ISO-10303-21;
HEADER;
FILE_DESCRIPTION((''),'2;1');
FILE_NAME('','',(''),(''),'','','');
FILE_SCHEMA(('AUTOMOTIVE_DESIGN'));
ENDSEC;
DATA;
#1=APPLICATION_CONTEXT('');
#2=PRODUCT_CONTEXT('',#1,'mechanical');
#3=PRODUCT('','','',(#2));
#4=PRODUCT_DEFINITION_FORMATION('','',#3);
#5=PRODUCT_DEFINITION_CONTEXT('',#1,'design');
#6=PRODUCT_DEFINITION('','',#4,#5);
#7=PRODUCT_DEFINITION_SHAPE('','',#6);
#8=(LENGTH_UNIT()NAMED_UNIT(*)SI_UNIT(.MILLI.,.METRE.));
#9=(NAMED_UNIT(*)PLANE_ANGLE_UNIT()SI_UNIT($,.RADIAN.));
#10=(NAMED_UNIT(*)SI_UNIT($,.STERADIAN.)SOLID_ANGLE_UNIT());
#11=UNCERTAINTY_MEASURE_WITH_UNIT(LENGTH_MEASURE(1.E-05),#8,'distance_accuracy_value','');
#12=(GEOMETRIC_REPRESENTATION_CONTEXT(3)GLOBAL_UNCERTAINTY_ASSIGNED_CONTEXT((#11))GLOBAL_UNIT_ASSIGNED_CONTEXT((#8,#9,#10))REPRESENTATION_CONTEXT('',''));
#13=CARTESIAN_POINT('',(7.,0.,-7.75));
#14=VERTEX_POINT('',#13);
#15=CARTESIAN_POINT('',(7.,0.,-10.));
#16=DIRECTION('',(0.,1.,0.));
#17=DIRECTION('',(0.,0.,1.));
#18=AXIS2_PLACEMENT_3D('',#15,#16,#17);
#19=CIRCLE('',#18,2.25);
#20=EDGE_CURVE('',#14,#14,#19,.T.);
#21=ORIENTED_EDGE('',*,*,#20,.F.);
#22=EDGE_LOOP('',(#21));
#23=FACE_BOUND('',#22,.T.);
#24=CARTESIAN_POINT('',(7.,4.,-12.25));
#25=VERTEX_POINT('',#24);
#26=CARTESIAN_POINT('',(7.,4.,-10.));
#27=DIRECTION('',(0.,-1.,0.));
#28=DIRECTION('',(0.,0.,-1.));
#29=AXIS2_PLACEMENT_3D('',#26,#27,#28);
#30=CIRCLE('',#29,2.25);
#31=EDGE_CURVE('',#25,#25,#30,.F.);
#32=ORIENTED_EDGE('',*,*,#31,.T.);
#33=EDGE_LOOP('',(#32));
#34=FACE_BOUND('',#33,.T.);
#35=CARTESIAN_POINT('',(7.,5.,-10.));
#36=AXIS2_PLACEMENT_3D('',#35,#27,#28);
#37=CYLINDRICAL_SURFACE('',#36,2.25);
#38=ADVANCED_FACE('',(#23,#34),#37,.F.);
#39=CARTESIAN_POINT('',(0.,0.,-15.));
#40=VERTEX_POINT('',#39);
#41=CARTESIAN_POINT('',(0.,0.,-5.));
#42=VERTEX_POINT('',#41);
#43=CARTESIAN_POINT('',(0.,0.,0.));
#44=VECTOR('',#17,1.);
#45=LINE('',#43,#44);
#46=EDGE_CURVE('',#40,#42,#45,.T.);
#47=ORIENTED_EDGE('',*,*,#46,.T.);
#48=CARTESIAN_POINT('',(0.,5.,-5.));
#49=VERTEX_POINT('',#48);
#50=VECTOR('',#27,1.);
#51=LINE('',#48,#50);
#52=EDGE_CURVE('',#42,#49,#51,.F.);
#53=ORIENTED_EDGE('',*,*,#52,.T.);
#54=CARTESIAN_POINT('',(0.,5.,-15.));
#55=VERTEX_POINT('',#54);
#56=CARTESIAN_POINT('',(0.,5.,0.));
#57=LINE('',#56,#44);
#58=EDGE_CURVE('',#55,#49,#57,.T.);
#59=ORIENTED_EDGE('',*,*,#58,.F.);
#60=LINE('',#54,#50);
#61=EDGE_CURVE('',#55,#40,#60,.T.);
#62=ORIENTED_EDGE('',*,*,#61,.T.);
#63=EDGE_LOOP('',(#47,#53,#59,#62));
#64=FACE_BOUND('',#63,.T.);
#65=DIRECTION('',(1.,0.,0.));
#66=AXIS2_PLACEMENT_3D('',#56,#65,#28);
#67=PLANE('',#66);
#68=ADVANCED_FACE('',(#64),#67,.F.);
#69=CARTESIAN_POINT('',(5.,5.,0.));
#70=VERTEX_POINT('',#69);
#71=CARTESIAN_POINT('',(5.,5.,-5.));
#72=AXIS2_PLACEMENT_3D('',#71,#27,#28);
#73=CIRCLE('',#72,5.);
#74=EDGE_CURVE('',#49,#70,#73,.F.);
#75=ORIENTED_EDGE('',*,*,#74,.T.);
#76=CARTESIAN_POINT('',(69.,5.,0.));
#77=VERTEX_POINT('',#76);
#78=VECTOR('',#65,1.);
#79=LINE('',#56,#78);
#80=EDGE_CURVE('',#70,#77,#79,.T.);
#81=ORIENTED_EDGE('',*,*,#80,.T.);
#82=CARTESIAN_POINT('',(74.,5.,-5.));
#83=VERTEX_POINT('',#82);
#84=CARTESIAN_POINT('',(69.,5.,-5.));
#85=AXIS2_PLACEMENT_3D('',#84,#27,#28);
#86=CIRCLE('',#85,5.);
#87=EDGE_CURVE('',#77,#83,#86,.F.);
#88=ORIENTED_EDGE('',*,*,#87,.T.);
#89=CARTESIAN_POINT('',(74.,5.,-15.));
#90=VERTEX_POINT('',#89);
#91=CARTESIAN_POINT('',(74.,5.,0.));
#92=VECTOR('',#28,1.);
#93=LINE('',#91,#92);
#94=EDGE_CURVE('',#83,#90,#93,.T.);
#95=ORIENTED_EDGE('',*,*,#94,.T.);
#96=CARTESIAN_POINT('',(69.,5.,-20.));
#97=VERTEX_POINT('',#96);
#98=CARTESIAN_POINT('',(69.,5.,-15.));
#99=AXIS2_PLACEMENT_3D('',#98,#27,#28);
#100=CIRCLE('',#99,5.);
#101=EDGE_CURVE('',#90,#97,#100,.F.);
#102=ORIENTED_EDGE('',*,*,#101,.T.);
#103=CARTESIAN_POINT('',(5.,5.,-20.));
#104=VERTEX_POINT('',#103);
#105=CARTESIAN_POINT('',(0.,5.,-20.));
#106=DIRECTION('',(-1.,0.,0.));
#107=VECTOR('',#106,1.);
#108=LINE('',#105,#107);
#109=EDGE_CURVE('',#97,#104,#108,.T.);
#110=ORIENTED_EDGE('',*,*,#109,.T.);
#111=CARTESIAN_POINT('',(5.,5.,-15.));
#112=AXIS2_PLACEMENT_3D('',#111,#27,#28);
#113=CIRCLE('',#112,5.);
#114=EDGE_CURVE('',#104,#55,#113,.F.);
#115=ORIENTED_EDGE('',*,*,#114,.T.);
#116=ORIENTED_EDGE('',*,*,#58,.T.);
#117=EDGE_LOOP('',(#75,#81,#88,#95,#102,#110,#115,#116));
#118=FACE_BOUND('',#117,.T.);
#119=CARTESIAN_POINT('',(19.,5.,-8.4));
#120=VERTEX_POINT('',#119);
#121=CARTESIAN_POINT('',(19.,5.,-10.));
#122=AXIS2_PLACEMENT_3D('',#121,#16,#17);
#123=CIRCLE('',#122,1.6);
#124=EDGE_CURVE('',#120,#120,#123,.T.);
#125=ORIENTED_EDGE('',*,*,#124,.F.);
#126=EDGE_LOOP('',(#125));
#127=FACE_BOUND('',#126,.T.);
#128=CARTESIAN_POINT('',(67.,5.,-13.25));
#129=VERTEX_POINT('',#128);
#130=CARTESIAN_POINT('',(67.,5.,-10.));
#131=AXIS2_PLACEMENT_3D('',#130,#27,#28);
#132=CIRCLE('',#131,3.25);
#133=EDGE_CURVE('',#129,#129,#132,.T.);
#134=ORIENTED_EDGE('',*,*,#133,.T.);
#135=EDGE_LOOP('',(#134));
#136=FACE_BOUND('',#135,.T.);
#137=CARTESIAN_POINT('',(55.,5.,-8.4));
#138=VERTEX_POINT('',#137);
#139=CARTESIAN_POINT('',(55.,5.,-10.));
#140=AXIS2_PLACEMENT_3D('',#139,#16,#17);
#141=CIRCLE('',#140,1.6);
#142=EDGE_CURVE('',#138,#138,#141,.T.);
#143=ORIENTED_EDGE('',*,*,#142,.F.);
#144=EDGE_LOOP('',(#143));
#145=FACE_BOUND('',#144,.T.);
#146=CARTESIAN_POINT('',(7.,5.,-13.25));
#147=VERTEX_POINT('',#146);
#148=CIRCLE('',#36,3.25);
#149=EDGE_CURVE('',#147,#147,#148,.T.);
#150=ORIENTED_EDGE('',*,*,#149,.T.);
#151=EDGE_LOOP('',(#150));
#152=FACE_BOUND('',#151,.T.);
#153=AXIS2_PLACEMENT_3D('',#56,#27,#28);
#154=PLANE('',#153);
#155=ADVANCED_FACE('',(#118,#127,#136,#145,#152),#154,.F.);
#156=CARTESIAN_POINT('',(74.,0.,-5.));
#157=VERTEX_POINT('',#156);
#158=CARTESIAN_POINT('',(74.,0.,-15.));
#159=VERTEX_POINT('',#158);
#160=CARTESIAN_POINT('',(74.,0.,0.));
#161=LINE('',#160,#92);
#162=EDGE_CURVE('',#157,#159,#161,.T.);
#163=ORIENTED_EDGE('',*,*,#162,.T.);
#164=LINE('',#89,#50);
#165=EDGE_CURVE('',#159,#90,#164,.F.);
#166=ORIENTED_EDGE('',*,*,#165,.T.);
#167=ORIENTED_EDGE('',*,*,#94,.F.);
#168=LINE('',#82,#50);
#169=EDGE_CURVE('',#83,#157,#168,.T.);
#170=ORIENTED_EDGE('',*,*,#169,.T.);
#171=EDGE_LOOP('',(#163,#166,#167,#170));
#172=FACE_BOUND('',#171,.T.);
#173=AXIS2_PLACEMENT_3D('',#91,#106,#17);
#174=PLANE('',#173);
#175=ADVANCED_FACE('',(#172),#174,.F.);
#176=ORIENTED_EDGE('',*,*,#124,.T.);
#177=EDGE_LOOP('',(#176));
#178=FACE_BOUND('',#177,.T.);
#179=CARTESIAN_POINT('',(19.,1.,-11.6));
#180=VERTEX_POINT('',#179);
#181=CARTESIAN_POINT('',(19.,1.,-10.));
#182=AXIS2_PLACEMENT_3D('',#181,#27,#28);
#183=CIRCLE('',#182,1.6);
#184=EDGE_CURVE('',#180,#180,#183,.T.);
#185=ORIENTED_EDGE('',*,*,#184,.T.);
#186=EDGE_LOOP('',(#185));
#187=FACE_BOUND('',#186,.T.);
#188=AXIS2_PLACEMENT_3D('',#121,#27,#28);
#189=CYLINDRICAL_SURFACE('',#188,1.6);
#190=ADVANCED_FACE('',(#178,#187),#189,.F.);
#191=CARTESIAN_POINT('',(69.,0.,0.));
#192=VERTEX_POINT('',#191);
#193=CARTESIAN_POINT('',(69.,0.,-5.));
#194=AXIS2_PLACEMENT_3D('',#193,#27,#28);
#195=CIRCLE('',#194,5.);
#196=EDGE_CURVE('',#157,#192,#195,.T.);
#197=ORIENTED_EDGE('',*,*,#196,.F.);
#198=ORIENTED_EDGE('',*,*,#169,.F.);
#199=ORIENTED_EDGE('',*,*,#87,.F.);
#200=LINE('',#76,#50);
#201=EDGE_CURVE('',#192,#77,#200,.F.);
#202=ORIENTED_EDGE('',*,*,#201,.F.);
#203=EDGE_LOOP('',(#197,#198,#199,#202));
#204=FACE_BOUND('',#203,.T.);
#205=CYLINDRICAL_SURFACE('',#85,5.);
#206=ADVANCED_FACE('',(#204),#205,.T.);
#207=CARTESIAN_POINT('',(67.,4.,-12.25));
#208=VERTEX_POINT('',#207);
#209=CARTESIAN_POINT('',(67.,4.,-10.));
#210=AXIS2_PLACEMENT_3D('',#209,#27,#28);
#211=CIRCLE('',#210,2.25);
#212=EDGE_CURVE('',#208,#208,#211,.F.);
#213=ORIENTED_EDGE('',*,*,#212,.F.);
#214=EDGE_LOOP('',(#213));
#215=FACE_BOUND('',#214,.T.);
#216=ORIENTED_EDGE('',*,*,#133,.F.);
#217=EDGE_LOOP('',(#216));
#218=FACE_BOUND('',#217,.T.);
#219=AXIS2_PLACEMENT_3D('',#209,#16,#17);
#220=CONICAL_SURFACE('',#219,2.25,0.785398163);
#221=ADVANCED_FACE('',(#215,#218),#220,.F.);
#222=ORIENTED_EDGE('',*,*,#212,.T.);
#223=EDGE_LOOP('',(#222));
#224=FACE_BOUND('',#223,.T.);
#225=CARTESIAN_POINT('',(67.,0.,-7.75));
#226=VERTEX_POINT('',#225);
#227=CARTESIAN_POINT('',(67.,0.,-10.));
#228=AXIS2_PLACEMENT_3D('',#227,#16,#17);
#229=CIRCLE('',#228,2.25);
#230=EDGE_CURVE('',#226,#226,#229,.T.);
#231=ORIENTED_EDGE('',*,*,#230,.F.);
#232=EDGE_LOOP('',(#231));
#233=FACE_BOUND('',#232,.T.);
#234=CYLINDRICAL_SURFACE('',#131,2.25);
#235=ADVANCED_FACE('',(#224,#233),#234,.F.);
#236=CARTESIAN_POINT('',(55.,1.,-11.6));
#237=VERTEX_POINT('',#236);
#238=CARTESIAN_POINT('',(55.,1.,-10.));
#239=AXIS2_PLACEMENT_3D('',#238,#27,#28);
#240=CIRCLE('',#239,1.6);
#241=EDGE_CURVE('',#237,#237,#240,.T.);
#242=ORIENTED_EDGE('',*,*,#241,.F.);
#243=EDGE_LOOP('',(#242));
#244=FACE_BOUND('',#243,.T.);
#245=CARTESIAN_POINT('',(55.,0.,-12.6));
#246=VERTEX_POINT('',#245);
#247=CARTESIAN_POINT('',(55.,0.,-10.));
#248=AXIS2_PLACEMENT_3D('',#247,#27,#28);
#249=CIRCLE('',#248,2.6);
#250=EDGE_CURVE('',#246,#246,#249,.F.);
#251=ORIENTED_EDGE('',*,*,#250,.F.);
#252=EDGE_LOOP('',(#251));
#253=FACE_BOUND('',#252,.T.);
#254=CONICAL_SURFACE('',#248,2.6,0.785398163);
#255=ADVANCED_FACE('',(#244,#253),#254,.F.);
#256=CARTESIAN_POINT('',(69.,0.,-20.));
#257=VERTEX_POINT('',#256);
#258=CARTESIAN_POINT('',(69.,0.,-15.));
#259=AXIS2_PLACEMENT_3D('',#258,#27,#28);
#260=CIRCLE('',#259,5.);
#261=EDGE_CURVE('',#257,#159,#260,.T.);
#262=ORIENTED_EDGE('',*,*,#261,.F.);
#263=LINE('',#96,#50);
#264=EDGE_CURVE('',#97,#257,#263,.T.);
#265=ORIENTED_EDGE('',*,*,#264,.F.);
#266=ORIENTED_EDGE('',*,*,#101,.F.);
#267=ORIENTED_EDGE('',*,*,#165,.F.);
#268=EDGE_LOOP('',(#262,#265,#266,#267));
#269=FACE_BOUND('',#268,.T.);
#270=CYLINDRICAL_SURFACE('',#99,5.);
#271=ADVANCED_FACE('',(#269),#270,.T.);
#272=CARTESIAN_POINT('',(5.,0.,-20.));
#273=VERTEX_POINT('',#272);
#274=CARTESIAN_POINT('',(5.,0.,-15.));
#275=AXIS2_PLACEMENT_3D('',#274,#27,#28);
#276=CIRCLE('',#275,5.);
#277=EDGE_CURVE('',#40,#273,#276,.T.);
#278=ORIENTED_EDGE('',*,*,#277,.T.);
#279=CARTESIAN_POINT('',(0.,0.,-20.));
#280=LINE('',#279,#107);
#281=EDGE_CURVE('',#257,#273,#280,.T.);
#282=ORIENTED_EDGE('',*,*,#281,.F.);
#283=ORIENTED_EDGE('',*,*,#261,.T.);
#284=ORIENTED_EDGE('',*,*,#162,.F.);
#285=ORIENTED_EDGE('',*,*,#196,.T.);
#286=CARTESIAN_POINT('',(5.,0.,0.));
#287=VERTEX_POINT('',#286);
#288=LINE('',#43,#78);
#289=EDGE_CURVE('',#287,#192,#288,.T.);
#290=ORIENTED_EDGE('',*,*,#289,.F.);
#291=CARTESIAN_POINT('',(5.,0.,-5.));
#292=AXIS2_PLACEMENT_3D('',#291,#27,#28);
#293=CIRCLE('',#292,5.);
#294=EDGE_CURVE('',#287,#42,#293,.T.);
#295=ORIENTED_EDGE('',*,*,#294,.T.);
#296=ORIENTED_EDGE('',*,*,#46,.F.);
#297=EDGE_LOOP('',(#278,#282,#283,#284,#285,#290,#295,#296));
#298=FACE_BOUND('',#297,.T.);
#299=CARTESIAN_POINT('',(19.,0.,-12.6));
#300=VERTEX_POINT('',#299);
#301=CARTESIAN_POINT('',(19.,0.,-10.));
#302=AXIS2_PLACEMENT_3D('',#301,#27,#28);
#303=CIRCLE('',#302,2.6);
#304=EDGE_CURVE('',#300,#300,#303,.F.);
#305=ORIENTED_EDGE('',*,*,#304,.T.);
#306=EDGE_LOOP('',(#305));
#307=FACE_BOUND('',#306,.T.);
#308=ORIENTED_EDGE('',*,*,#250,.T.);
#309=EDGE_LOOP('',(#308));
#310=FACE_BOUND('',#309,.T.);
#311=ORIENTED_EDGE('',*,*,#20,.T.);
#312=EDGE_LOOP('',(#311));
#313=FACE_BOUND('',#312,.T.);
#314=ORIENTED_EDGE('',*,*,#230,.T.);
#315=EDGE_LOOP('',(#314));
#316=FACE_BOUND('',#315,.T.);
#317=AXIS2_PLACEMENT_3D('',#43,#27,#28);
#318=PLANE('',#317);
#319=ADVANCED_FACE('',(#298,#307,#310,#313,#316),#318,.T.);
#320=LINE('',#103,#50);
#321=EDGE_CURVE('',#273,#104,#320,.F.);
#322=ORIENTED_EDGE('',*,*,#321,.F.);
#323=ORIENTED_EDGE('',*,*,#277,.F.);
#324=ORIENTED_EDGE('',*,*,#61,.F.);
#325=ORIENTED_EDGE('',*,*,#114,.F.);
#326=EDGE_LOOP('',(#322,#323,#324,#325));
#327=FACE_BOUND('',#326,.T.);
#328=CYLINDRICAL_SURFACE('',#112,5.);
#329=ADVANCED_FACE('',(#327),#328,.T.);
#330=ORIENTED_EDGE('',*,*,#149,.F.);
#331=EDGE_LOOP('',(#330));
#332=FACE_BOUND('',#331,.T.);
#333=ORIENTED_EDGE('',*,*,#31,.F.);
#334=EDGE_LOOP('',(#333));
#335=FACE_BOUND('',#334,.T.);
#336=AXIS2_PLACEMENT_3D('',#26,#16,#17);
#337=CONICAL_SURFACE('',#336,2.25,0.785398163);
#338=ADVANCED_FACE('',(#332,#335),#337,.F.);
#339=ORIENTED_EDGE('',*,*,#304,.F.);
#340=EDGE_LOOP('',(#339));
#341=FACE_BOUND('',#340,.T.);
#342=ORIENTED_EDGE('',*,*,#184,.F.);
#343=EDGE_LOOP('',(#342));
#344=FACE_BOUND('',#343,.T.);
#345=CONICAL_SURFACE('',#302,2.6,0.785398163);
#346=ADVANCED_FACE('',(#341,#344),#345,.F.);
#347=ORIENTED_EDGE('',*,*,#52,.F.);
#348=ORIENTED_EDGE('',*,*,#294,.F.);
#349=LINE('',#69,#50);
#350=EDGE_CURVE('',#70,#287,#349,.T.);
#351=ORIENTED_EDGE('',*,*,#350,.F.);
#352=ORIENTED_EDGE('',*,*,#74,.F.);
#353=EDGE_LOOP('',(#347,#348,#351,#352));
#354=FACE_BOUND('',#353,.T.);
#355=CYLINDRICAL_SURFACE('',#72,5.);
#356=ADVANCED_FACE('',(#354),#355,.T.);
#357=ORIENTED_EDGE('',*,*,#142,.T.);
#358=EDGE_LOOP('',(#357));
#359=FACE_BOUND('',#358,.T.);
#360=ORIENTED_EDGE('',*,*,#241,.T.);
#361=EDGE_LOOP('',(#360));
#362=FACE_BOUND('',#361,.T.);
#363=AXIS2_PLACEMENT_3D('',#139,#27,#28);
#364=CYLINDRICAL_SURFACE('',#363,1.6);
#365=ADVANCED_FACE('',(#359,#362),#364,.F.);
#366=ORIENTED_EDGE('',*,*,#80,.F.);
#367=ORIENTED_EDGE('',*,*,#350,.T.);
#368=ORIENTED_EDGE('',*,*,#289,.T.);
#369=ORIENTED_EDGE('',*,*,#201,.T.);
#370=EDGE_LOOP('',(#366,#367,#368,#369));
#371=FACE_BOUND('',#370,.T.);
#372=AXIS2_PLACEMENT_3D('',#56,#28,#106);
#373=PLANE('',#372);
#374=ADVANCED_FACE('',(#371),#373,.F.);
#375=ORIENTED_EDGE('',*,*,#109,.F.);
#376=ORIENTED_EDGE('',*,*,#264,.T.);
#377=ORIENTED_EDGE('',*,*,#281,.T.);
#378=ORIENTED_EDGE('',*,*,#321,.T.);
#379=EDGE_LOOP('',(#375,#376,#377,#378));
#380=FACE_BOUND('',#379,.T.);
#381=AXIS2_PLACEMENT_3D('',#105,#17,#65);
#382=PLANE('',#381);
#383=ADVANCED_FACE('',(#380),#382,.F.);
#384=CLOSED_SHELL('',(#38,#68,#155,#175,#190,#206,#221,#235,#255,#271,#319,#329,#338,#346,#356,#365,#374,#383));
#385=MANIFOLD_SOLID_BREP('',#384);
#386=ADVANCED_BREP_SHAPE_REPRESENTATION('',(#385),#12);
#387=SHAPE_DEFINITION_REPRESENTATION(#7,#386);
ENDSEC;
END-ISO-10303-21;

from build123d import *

# Parameters (mm, degrees)
SKETCH_1_W      = 74
SKETCH_1_H      = 20
SKETCH_1_R      = 1.6
SKETCH_1_R_2    = 2.25
EXTRUDE_1_DEPTH = 5
FILLET_2_R      = 5
CHAMFER_1_SIZE  = 1
CHAMFER_2_SIZE  = 1


with BuildPart() as part:
    # Эскиз1 → Бобышка-Вытянуть1 (new body)
    with BuildSketch(Plane(origin=(0, 0, 0), x_dir=(1, 0, 0), z_dir=(0, 1, 0))):
        with Locations((37, 10)):
            Rectangle(SKETCH_1_W, SKETCH_1_H)
        with Locations((19, 10)):
            Circle(SKETCH_1_R, mode=Mode.SUBTRACT)
        with Locations((55, 10)):
            Circle(SKETCH_1_R, mode=Mode.SUBTRACT)
        with Locations((7, 10)):
            Circle(SKETCH_1_R_2, mode=Mode.SUBTRACT)
        with Locations((67, 10)):
            Circle(SKETCH_1_R_2, mode=Mode.SUBTRACT)
    extrude(amount=EXTRUDE_1_DEPTH)

    # Скругление2
    fillet_2_edges = [part.edges().sort_by_distance(p)[0] for p in [
        (0, 2.5, -20),
        (74, 2.5, -20),
        (74, 2.5, 0),
        (0, 2.5, 0),
    ]]
    fillet(fillet_2_edges, radius=FILLET_2_R)

    # Фаска1
    chamfer_1_edges = [part.edges().sort_by_distance(p)[0] for p in [
        (4.75, 5, -10),
        (64.75, 5, -10),
    ]]
    chamfer(chamfer_1_edges, length=CHAMFER_1_SIZE)

    # Фаска2
    chamfer_2_edges = [part.edges().sort_by_distance(p)[0] for p in [
        (17.4, 0, -10),
        (53.4, 0, -10),
    ]]
    chamfer(chamfer_2_edges, length=CHAMFER_2_SIZE)


solid = part.part
